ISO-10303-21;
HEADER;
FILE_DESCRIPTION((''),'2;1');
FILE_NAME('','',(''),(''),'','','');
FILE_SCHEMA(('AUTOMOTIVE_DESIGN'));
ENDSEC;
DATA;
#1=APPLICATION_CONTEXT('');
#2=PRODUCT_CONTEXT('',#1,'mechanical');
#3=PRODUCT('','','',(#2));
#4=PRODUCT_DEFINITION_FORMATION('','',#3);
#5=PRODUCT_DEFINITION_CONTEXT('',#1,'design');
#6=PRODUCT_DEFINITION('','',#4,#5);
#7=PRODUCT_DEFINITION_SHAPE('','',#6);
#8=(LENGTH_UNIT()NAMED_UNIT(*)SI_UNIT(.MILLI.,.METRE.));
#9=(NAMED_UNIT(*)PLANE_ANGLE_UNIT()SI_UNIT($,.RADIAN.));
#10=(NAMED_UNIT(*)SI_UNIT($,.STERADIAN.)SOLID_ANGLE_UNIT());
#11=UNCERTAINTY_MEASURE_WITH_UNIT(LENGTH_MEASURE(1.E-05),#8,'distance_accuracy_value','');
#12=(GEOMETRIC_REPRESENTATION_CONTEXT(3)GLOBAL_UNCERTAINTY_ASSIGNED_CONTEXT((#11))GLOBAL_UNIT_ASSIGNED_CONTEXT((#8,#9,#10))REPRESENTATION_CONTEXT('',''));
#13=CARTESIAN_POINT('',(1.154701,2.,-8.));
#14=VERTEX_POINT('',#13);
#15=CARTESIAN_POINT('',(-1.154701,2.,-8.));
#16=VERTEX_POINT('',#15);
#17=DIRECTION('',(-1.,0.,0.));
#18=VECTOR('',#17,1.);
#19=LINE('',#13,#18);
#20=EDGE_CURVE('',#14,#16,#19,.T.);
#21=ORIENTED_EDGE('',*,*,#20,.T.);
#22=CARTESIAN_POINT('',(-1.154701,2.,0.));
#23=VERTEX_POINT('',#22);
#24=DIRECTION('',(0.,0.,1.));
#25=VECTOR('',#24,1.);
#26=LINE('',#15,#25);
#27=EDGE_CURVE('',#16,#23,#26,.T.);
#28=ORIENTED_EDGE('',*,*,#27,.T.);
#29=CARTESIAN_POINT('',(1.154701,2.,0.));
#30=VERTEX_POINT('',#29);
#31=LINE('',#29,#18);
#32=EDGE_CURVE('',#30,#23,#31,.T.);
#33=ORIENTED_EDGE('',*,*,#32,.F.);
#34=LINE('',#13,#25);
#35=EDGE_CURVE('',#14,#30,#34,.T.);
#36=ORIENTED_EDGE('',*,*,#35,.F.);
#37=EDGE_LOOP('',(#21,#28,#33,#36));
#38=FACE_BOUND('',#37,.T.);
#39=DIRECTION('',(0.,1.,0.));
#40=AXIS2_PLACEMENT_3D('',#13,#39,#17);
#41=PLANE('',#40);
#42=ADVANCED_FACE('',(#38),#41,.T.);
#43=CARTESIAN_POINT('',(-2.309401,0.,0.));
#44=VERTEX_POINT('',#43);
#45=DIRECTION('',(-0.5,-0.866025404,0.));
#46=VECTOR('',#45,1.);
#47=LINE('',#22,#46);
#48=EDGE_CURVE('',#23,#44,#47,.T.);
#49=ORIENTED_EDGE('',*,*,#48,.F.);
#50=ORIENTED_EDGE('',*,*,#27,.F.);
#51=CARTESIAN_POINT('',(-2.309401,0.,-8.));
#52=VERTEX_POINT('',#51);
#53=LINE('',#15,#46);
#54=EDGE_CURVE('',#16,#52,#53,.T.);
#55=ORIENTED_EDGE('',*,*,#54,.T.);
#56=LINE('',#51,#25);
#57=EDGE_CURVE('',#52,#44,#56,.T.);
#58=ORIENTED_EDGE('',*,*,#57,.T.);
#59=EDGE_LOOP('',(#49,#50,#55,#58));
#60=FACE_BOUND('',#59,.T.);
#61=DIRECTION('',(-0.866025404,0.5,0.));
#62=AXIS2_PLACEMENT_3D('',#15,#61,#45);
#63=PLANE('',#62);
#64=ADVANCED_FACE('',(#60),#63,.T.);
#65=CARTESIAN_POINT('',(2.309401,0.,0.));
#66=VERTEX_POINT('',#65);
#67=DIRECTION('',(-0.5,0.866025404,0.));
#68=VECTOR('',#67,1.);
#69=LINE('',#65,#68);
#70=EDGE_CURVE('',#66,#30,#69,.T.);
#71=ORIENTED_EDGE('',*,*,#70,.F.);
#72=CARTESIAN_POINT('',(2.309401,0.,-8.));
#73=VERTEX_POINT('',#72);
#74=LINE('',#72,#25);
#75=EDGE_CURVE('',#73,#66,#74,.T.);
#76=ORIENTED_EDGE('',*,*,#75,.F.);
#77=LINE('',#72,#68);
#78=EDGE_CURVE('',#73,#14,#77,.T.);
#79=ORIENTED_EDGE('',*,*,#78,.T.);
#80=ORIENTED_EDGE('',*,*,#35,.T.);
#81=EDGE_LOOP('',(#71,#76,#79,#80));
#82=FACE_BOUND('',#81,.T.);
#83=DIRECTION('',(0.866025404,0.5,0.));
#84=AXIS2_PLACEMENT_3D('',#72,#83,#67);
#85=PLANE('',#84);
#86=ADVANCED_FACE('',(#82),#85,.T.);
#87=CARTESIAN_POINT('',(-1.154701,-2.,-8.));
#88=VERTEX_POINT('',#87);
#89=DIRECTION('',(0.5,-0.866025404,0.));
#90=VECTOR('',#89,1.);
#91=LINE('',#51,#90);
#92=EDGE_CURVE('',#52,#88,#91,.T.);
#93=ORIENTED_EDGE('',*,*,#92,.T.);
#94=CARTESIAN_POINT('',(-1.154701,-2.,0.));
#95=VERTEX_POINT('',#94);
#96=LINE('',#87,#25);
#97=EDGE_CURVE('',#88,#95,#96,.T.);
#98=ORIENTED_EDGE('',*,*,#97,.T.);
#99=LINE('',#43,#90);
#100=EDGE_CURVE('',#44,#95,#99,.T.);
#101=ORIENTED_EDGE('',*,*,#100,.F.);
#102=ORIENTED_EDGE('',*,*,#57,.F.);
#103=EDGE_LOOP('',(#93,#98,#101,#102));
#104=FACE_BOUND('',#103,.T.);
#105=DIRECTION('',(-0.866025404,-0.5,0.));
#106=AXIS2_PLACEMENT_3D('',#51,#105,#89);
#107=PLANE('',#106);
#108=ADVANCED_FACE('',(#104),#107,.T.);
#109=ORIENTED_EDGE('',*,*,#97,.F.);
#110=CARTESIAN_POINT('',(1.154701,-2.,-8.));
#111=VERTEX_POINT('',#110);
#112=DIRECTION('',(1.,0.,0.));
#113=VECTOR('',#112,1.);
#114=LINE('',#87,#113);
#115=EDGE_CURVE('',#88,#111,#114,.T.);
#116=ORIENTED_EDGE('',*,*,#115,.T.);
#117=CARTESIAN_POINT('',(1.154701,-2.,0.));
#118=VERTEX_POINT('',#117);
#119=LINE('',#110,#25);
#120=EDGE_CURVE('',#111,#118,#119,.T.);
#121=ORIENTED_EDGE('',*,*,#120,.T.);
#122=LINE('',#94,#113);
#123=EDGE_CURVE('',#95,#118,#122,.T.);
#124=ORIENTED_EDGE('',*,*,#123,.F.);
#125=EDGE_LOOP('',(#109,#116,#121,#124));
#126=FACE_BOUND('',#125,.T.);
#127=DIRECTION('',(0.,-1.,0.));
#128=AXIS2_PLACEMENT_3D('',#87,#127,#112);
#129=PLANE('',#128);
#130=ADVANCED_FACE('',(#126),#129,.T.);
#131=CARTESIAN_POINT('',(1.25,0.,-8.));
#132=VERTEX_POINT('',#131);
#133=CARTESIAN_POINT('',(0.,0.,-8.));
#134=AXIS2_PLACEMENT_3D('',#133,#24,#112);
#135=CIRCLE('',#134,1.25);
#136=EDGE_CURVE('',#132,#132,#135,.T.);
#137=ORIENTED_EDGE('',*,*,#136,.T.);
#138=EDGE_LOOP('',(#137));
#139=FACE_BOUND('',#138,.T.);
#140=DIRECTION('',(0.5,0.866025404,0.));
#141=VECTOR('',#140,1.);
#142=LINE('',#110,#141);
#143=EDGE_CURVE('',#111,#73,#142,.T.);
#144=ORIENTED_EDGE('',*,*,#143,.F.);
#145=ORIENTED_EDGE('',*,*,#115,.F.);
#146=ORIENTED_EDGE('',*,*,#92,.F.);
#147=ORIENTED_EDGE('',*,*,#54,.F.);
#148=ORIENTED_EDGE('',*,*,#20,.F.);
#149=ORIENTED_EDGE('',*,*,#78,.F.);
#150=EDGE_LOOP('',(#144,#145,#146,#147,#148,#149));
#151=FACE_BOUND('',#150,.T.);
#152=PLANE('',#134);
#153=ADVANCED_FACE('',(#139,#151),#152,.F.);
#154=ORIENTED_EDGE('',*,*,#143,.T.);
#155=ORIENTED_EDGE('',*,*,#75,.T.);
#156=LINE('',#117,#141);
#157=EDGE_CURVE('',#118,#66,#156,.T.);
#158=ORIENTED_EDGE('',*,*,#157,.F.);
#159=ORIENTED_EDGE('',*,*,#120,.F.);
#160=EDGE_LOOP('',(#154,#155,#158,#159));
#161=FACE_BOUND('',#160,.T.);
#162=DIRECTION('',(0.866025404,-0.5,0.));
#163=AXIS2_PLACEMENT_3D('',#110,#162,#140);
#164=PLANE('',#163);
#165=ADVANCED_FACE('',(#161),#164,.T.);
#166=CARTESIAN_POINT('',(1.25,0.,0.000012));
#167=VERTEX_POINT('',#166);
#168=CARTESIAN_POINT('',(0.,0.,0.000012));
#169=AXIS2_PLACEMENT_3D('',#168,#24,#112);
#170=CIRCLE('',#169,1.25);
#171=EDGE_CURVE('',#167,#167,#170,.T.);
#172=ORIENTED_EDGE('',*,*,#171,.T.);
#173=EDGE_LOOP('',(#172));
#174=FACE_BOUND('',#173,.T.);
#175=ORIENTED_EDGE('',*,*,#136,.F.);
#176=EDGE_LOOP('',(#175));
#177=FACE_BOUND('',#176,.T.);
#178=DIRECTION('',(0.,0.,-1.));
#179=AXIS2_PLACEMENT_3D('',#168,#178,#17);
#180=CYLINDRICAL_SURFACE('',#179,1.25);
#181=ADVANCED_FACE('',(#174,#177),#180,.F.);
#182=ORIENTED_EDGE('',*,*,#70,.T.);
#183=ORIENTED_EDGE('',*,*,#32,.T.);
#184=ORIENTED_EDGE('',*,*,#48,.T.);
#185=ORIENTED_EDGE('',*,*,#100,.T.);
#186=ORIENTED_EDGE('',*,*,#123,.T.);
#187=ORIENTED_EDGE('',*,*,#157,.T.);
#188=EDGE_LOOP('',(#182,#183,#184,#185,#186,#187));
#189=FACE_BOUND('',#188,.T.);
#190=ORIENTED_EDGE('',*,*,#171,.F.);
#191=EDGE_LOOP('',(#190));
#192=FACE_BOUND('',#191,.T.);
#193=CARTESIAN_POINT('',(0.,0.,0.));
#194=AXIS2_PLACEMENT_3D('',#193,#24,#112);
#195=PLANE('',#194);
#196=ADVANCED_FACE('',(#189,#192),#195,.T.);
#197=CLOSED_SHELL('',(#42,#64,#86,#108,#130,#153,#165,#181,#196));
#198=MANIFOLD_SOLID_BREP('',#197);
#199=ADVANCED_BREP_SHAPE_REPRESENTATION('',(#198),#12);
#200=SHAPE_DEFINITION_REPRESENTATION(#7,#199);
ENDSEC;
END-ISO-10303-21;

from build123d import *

# Parameters (mm, degrees)
BOSS_EXTRUDE1_DEPTH     = 8
CUT_EXTRUDE1_DEPTH      = 9.563488386
CUT_EXTRUDE1_DEPTH_BACK = 9.563488386
SKETCH2_R               = 1.25


with BuildPart() as part:
    # Sketch1 → Boss-Extrude1 (new body)
    with BuildSketch(Plane.XY):
        Polygon((2.309401077, 0), (1.154700538, 2), (-1.154700538, 2), (-2.309401077, 0), (-1.154700538, -2), (1.154700538, -2), align=None)
    extrude(amount=-BOSS_EXTRUDE1_DEPTH)

    # Sketch2 → Cut-Extrude1 (cut, two sides: drawn at the far end of the back side and taken through both)
    with BuildSketch(Plane.XY.offset(-CUT_EXTRUDE1_DEPTH_BACK)):
        Circle(SKETCH2_R)
    extrude(amount=CUT_EXTRUDE1_DEPTH + CUT_EXTRUDE1_DEPTH_BACK, mode=Mode.SUBTRACT)


solid = part.part
